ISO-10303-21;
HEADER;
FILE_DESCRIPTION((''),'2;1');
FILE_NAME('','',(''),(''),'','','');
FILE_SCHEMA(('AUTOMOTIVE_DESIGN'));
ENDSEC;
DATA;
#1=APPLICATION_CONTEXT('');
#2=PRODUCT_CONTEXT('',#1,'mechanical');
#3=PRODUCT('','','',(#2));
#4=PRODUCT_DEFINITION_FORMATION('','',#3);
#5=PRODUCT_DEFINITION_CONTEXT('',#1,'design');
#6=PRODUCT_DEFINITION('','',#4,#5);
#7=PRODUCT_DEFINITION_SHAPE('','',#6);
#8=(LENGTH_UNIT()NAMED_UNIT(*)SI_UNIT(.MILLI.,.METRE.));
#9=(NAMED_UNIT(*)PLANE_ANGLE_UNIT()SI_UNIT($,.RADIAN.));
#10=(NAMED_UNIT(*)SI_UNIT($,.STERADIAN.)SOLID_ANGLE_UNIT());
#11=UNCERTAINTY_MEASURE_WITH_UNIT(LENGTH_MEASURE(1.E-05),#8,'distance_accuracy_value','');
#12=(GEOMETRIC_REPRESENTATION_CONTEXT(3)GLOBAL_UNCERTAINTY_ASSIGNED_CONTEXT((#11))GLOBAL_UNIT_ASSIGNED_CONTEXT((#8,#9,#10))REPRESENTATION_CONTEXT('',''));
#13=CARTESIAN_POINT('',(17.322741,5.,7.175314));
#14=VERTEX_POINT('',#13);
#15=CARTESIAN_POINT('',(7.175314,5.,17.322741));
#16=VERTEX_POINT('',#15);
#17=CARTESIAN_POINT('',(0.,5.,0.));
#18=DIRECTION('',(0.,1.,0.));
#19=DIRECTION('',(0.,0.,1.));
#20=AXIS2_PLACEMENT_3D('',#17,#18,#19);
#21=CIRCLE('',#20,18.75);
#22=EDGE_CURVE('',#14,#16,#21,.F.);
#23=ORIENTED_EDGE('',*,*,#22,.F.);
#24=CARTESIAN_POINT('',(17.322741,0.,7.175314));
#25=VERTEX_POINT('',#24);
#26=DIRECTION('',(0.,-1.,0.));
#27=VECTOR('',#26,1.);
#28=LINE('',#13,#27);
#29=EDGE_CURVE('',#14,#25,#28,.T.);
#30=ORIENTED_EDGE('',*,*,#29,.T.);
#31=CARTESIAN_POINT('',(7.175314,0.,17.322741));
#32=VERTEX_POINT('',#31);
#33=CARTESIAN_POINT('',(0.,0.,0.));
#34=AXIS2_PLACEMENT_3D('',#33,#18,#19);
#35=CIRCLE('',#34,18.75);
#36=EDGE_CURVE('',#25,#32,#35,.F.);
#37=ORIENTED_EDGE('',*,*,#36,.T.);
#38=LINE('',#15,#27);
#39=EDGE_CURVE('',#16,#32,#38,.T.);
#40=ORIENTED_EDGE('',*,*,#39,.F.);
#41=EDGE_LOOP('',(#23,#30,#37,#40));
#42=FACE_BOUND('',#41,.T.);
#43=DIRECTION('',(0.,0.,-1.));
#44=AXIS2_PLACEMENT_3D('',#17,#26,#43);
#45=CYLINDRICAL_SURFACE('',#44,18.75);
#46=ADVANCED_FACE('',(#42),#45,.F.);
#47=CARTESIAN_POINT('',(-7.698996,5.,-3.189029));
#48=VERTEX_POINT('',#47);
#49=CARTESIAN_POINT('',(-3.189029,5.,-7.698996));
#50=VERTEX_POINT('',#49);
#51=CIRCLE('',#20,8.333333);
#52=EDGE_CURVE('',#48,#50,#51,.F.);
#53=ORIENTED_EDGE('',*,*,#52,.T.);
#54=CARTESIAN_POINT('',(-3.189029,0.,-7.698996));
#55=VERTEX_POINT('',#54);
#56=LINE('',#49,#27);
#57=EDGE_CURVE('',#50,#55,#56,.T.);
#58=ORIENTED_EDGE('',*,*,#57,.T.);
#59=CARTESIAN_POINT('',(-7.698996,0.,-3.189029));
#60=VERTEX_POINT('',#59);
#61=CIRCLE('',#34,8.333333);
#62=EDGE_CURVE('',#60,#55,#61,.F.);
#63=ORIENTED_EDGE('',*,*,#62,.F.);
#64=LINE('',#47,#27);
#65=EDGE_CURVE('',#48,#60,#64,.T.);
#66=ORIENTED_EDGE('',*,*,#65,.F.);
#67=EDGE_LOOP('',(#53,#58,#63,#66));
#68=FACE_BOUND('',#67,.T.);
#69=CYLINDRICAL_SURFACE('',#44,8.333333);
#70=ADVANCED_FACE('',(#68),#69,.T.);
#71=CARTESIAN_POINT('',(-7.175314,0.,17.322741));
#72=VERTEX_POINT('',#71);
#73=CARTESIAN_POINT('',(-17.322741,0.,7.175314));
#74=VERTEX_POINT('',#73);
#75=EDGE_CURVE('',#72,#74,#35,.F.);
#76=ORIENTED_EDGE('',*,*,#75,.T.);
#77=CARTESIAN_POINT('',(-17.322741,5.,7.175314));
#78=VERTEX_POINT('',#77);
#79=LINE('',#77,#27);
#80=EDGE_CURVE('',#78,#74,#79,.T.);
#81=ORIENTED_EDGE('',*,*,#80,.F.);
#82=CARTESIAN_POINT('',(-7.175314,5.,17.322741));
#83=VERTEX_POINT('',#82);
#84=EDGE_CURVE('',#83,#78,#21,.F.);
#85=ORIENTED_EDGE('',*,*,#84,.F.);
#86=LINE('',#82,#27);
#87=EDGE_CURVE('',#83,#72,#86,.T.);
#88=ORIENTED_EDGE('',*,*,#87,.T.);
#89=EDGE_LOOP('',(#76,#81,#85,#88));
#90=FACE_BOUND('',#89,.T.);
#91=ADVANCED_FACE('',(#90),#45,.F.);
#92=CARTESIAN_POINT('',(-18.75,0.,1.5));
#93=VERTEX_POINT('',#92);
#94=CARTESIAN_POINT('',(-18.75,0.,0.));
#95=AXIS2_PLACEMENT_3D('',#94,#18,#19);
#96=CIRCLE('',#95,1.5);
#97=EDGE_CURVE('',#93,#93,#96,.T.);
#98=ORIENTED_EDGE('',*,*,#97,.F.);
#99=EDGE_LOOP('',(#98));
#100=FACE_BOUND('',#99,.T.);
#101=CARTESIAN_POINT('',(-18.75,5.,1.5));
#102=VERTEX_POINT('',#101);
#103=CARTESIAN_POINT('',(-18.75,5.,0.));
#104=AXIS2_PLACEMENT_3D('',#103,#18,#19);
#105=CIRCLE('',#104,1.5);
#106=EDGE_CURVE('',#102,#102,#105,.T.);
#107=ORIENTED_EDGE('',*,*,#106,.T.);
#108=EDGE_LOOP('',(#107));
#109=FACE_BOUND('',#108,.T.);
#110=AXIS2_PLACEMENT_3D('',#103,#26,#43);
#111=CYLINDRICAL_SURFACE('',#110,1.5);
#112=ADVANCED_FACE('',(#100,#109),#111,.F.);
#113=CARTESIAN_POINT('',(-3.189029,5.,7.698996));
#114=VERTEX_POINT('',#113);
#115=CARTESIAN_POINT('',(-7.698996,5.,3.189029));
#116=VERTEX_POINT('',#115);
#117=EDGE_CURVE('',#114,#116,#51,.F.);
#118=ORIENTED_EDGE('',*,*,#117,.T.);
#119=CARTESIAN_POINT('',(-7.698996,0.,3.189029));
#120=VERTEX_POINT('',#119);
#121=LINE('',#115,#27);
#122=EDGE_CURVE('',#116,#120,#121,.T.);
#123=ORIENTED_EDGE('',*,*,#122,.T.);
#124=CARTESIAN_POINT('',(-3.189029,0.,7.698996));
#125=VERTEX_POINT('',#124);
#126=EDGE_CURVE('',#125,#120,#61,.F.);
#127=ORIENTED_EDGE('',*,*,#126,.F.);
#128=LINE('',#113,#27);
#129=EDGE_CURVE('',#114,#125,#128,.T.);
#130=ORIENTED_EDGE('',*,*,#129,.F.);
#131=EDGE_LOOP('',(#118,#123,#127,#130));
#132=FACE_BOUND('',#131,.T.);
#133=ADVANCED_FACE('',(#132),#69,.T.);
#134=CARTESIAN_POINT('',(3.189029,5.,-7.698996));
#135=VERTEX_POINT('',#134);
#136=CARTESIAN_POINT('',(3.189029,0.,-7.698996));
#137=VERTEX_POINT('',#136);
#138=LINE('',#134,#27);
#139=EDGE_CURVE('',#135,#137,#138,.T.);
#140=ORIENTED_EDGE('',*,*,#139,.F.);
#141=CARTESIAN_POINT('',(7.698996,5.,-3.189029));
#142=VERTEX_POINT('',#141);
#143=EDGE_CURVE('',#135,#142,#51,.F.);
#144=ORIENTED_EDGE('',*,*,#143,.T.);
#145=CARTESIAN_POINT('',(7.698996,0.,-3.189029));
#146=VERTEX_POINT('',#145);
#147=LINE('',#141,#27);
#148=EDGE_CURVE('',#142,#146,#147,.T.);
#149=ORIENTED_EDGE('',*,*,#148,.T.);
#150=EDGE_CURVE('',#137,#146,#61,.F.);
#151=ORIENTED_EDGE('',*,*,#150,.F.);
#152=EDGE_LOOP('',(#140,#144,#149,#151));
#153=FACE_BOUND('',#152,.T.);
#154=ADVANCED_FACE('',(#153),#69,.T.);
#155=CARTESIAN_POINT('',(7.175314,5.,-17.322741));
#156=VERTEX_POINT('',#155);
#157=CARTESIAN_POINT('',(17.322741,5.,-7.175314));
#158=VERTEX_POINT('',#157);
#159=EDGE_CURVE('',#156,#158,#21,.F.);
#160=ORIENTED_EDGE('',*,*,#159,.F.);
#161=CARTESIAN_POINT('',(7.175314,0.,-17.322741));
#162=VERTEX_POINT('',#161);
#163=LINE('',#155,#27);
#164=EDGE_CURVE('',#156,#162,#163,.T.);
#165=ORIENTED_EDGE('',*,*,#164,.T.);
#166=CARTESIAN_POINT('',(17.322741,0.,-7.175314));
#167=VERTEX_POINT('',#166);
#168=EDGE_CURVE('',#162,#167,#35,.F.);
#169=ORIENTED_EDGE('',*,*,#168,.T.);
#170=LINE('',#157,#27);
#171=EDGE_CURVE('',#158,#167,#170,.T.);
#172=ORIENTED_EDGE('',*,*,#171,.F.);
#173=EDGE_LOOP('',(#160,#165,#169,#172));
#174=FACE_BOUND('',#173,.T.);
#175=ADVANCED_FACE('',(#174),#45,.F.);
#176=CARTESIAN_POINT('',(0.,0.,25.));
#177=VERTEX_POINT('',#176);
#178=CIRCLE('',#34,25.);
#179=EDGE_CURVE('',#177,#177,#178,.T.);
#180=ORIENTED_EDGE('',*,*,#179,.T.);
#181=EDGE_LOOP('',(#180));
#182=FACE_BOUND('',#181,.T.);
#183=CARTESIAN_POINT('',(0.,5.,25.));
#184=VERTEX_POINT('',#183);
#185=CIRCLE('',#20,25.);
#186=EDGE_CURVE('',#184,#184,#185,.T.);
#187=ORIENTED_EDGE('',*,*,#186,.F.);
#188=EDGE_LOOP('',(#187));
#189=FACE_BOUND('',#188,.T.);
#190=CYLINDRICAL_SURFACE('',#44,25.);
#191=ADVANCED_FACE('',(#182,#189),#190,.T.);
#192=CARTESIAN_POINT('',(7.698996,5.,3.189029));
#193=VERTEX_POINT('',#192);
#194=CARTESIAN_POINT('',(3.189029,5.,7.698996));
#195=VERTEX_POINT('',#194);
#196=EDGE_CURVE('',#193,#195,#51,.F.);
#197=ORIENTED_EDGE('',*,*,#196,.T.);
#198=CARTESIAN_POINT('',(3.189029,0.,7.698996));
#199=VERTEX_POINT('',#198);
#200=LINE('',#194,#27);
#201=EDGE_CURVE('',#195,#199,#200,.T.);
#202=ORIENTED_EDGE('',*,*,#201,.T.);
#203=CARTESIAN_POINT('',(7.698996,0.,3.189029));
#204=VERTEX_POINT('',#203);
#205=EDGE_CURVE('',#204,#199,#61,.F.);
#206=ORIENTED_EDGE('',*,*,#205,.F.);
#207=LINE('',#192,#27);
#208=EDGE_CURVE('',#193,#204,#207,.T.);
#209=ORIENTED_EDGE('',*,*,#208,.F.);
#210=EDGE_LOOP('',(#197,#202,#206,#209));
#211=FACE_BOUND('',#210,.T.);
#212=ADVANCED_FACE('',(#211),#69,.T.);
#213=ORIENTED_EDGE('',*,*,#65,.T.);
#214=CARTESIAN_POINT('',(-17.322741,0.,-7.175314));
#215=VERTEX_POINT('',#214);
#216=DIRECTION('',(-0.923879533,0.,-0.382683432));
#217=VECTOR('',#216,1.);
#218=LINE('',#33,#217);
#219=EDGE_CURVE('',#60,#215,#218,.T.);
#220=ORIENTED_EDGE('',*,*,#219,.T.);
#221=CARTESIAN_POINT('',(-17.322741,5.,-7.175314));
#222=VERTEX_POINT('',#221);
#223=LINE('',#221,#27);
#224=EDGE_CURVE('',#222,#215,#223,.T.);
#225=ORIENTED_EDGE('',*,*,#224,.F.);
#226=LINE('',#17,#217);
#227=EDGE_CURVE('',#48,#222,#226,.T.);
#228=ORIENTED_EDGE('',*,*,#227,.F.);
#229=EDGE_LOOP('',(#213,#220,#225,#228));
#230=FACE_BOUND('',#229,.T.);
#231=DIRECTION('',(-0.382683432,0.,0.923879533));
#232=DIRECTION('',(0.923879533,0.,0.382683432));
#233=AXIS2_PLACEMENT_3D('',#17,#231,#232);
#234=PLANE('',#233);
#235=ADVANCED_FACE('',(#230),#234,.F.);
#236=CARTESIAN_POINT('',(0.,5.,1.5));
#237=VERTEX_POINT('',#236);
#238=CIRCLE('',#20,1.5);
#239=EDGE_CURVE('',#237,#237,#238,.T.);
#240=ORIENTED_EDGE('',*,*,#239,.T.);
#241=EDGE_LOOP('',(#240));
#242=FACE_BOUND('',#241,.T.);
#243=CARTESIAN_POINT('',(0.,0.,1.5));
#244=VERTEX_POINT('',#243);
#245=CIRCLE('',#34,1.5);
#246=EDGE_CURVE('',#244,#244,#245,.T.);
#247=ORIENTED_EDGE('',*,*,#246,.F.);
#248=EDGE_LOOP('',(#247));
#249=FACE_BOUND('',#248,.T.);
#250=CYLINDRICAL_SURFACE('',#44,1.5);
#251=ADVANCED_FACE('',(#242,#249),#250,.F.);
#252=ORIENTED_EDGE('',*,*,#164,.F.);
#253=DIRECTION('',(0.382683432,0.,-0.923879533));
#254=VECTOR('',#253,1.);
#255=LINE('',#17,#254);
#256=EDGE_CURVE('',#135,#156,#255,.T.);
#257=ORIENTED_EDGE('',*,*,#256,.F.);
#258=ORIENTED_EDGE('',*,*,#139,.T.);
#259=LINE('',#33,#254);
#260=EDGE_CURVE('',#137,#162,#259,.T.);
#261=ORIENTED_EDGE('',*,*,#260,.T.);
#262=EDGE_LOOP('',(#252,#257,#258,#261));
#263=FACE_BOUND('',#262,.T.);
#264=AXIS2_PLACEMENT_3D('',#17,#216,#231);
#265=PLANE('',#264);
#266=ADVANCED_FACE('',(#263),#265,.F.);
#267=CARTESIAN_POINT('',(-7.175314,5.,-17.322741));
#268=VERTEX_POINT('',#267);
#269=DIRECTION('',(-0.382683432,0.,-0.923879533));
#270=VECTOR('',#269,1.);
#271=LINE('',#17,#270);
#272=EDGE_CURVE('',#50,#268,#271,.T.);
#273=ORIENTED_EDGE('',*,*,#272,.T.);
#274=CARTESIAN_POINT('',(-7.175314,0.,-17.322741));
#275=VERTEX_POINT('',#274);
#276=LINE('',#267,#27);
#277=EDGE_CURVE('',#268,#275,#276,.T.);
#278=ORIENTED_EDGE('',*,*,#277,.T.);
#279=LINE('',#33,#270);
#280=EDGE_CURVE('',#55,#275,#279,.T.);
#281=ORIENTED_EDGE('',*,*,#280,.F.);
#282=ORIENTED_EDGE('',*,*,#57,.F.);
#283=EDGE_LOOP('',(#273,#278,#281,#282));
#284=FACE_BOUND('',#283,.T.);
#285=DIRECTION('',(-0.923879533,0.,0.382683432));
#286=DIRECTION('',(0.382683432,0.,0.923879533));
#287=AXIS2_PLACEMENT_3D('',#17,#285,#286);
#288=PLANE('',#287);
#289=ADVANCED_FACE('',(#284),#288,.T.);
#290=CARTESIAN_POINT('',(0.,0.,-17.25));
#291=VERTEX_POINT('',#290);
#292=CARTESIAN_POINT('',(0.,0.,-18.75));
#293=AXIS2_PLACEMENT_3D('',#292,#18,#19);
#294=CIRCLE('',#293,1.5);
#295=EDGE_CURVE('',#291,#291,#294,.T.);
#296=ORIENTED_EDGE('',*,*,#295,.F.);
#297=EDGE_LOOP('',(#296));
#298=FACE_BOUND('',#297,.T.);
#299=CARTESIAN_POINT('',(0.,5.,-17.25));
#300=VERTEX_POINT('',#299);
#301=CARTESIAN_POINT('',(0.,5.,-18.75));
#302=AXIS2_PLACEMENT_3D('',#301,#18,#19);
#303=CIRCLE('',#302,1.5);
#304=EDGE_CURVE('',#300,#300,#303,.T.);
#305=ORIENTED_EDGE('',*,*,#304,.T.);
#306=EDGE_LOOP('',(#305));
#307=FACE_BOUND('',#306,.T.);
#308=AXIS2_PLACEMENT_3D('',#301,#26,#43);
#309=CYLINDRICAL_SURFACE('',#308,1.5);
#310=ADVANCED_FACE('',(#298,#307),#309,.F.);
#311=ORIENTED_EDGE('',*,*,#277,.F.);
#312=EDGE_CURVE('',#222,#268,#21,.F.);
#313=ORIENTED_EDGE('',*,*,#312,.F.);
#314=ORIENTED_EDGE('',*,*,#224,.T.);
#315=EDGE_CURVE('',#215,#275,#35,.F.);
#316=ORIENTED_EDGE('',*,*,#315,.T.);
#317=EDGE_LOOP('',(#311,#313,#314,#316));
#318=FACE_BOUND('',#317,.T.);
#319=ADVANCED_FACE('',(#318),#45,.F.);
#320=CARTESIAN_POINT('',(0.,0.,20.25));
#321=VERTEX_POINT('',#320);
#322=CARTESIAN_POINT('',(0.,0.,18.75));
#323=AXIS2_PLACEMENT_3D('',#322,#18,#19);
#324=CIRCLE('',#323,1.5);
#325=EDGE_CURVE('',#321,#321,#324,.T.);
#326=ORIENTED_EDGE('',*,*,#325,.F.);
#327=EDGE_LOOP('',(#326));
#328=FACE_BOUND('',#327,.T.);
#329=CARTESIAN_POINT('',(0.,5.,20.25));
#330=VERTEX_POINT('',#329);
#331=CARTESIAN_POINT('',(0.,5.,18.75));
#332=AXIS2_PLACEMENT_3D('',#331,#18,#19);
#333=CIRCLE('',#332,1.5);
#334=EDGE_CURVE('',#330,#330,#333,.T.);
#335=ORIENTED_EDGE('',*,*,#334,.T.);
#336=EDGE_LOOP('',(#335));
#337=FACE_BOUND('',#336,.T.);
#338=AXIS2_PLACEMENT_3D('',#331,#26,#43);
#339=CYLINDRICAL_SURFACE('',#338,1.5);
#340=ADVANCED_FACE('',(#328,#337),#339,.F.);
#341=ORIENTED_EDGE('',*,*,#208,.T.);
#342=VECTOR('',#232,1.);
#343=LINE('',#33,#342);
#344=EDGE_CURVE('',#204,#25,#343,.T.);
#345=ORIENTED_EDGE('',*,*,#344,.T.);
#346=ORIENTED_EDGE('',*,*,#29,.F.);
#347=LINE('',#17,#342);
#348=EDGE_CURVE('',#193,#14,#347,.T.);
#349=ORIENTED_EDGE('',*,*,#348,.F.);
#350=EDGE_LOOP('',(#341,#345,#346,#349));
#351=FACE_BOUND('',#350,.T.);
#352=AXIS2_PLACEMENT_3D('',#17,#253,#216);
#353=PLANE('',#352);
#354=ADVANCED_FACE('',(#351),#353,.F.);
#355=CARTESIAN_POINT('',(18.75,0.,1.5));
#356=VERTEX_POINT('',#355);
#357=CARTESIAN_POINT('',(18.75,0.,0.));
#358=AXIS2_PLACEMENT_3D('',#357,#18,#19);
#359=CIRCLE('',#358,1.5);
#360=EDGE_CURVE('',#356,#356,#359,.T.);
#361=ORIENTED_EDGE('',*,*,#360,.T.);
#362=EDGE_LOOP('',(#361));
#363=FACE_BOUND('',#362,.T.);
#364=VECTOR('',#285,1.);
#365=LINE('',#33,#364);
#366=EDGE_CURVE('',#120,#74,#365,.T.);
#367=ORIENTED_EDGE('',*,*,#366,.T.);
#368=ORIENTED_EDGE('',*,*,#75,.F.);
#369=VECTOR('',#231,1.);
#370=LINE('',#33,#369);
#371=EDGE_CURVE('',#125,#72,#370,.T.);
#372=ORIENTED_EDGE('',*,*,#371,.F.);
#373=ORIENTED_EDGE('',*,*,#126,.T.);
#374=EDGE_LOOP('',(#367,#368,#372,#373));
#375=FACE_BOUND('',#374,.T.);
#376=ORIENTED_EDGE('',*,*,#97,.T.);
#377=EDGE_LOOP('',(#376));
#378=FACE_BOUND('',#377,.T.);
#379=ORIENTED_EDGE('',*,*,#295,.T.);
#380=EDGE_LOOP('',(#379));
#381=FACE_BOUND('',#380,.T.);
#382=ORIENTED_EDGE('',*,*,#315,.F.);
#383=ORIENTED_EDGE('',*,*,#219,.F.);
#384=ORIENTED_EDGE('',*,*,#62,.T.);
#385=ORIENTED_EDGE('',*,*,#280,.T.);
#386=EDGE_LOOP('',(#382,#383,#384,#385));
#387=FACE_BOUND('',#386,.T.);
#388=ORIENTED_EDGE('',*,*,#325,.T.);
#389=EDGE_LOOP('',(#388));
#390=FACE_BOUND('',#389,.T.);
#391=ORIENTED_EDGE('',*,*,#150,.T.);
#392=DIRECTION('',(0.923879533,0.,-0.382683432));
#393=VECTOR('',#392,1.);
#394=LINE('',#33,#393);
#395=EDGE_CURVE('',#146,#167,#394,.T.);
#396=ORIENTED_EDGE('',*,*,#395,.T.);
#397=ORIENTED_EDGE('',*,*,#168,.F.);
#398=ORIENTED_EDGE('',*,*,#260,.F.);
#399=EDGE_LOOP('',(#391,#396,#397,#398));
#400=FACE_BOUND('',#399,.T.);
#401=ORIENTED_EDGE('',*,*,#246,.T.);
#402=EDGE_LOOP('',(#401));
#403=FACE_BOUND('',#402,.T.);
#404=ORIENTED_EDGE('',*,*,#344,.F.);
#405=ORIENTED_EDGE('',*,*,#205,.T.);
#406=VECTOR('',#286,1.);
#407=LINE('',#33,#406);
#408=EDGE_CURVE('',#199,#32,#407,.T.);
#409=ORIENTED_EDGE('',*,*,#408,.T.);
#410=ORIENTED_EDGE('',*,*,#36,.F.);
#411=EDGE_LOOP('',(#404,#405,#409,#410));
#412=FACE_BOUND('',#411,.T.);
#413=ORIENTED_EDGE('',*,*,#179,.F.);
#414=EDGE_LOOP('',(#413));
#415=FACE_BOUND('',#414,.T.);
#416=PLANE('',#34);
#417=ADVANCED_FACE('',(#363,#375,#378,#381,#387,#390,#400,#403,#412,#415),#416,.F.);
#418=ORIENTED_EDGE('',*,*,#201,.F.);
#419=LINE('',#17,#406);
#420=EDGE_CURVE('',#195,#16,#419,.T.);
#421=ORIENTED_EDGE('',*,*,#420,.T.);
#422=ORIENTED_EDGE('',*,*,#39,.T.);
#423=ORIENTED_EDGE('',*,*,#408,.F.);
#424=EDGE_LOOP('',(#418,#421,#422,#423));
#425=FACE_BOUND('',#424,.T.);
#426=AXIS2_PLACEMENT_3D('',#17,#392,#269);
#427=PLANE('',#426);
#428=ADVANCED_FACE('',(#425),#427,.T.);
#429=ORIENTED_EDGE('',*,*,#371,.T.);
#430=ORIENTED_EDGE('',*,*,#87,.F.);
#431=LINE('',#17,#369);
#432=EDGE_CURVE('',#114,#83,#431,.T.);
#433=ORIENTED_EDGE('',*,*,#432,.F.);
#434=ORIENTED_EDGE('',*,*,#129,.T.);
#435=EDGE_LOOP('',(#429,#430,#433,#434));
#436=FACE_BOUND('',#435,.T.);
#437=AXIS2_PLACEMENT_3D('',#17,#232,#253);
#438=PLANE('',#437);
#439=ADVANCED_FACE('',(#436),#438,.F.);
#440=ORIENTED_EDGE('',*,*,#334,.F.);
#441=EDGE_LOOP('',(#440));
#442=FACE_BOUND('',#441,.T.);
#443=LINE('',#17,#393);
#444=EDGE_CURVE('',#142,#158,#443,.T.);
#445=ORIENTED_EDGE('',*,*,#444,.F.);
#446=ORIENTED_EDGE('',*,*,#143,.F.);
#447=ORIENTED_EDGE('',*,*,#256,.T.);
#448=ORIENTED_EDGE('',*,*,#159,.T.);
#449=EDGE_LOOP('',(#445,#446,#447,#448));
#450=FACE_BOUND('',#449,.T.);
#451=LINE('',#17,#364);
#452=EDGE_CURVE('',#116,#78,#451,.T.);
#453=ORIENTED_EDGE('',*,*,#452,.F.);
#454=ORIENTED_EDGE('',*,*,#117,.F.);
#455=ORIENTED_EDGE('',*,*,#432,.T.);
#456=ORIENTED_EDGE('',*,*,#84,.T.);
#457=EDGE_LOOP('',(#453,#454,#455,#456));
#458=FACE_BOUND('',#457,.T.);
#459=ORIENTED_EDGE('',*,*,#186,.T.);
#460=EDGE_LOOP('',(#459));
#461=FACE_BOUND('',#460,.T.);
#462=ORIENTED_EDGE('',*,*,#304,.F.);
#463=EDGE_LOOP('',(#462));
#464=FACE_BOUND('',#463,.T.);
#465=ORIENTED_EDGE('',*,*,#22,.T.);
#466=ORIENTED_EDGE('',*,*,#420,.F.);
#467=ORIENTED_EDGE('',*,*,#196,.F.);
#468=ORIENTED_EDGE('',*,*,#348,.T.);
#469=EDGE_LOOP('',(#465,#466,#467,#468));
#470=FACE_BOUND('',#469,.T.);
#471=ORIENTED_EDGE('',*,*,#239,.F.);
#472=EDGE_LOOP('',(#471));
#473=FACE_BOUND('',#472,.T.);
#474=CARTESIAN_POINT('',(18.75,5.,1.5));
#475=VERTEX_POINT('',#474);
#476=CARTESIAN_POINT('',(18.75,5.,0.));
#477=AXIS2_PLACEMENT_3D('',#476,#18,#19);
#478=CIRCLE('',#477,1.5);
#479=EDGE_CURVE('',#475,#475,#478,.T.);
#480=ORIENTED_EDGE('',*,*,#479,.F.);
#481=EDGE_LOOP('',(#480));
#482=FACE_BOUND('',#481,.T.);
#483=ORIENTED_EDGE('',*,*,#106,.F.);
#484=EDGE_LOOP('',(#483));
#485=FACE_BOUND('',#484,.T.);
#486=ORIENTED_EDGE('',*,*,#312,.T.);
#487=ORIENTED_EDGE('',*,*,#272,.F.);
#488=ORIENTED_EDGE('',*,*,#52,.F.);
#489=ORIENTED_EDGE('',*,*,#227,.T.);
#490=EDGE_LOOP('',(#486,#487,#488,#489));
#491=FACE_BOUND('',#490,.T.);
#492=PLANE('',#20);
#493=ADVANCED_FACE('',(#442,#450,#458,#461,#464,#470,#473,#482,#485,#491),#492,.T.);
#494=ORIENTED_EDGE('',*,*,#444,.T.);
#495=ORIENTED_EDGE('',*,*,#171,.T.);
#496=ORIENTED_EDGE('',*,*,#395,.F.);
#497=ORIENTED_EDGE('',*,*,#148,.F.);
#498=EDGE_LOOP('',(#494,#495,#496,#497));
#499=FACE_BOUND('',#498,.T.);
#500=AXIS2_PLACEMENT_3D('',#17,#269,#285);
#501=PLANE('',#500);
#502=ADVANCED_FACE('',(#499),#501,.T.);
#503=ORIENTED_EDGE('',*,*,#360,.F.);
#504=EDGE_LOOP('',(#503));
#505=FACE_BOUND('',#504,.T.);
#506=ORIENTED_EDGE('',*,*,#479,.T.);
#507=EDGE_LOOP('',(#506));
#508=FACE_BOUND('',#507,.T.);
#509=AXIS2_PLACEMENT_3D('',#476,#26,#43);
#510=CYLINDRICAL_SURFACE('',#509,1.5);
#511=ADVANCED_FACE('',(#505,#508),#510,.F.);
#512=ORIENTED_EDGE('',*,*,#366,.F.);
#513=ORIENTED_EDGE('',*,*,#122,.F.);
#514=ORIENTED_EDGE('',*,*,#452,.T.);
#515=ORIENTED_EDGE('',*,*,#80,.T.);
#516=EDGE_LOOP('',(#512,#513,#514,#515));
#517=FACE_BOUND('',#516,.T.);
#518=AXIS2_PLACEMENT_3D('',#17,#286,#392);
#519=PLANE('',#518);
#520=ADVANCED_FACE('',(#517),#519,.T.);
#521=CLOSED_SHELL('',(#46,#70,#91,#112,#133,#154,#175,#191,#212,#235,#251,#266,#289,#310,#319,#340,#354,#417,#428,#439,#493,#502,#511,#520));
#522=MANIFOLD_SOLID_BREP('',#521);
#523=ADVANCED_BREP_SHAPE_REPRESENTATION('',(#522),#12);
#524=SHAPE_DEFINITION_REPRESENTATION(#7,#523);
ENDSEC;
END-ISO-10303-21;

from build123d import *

# Parameters (mm, degrees)
SKETCH1_R           = 25
SKETCH1_R_2         = 1.5
BOSS_EXTRUDE1_DEPTH = 5


with BuildPart() as part:
    # Sketch1 → Boss-Extrude1 (new body)
    with BuildSketch(Plane(origin=(0, 0, 0), x_dir=(1, 0, 0), z_dir=(0, 1, 0))):
        Circle(SKETCH1_R)
        Circle(SKETCH1_R_2, mode=Mode.SUBTRACT)
        with Locations((18.75, 0)):
            Circle(SKETCH1_R_2, mode=Mode.SUBTRACT)
        with Locations((0, -18.75)):
            Circle(SKETCH1_R_2, mode=Mode.SUBTRACT)
        with Locations((-18.75, 0)):
            Circle(SKETCH1_R_2, mode=Mode.SUBTRACT)
        with Locations((0, 18.75)):
            Circle(SKETCH1_R_2, mode=Mode.SUBTRACT)
        with BuildLine():
            Line((7.698996104, 3.189028603), (17.322741235, 7.175314357))
            ThreePointArc((17.322741235, 7.175314357), (13.258252147, 13.258252147), (7.175314357, 17.322741235))
            Line((7.175314357, 17.322741235), (3.189028603, 7.698996104))
            ThreePointArc((3.189028603, 7.698996104), (5.89255651, 5.89255651), (7.698996104, 3.189028603))
        make_face(mode=Mode.SUBTRACT)
        with BuildLine():
            Line((3.189028603, -7.698996104), (7.175314357, -17.322741235))
            ThreePointArc((7.175314357, -17.322741235), (13.258252147, -13.258252147), (17.322741235, -7.175314357))
            Line((17.322741235, -7.175314357), (7.698996104, -3.189028603))
            ThreePointArc((7.698996104, -3.189028603), (5.89255651, -5.89255651), (3.189028603, -7.698996104))
        make_face(mode=Mode.SUBTRACT)
        with BuildLine():
            Line((-7.698996104, -3.189028603), (-17.322741235, -7.175314357))
            ThreePointArc((-17.322741235, -7.175314357), (-13.258252147, -13.258252147), (-7.175314357, -17.322741235))
            Line((-7.175314357, -17.322741235), (-3.189028603, -7.698996104))
            ThreePointArc((-3.189028603, -7.698996104), (-5.89255651, -5.89255651), (-7.698996104, -3.189028603))
        make_face(mode=Mode.SUBTRACT)
        with BuildLine():
            Line((-7.698996104, 3.189028603), (-17.322741235, 7.175314357))
            ThreePointArc((-17.322741235, 7.175314357), (-13.258252147, 13.258252147), (-7.175314357, 17.322741235))
            Line((-7.175314357, 17.322741235), (-3.189028603, 7.698996104))
            ThreePointArc((-3.189028603, 7.698996104), (-5.89255651, 5.89255651), (-7.698996104, 3.189028603))
        make_face(mode=Mode.SUBTRACT)
    extrude(amount=BOSS_EXTRUDE1_DEPTH)


solid = part.part
